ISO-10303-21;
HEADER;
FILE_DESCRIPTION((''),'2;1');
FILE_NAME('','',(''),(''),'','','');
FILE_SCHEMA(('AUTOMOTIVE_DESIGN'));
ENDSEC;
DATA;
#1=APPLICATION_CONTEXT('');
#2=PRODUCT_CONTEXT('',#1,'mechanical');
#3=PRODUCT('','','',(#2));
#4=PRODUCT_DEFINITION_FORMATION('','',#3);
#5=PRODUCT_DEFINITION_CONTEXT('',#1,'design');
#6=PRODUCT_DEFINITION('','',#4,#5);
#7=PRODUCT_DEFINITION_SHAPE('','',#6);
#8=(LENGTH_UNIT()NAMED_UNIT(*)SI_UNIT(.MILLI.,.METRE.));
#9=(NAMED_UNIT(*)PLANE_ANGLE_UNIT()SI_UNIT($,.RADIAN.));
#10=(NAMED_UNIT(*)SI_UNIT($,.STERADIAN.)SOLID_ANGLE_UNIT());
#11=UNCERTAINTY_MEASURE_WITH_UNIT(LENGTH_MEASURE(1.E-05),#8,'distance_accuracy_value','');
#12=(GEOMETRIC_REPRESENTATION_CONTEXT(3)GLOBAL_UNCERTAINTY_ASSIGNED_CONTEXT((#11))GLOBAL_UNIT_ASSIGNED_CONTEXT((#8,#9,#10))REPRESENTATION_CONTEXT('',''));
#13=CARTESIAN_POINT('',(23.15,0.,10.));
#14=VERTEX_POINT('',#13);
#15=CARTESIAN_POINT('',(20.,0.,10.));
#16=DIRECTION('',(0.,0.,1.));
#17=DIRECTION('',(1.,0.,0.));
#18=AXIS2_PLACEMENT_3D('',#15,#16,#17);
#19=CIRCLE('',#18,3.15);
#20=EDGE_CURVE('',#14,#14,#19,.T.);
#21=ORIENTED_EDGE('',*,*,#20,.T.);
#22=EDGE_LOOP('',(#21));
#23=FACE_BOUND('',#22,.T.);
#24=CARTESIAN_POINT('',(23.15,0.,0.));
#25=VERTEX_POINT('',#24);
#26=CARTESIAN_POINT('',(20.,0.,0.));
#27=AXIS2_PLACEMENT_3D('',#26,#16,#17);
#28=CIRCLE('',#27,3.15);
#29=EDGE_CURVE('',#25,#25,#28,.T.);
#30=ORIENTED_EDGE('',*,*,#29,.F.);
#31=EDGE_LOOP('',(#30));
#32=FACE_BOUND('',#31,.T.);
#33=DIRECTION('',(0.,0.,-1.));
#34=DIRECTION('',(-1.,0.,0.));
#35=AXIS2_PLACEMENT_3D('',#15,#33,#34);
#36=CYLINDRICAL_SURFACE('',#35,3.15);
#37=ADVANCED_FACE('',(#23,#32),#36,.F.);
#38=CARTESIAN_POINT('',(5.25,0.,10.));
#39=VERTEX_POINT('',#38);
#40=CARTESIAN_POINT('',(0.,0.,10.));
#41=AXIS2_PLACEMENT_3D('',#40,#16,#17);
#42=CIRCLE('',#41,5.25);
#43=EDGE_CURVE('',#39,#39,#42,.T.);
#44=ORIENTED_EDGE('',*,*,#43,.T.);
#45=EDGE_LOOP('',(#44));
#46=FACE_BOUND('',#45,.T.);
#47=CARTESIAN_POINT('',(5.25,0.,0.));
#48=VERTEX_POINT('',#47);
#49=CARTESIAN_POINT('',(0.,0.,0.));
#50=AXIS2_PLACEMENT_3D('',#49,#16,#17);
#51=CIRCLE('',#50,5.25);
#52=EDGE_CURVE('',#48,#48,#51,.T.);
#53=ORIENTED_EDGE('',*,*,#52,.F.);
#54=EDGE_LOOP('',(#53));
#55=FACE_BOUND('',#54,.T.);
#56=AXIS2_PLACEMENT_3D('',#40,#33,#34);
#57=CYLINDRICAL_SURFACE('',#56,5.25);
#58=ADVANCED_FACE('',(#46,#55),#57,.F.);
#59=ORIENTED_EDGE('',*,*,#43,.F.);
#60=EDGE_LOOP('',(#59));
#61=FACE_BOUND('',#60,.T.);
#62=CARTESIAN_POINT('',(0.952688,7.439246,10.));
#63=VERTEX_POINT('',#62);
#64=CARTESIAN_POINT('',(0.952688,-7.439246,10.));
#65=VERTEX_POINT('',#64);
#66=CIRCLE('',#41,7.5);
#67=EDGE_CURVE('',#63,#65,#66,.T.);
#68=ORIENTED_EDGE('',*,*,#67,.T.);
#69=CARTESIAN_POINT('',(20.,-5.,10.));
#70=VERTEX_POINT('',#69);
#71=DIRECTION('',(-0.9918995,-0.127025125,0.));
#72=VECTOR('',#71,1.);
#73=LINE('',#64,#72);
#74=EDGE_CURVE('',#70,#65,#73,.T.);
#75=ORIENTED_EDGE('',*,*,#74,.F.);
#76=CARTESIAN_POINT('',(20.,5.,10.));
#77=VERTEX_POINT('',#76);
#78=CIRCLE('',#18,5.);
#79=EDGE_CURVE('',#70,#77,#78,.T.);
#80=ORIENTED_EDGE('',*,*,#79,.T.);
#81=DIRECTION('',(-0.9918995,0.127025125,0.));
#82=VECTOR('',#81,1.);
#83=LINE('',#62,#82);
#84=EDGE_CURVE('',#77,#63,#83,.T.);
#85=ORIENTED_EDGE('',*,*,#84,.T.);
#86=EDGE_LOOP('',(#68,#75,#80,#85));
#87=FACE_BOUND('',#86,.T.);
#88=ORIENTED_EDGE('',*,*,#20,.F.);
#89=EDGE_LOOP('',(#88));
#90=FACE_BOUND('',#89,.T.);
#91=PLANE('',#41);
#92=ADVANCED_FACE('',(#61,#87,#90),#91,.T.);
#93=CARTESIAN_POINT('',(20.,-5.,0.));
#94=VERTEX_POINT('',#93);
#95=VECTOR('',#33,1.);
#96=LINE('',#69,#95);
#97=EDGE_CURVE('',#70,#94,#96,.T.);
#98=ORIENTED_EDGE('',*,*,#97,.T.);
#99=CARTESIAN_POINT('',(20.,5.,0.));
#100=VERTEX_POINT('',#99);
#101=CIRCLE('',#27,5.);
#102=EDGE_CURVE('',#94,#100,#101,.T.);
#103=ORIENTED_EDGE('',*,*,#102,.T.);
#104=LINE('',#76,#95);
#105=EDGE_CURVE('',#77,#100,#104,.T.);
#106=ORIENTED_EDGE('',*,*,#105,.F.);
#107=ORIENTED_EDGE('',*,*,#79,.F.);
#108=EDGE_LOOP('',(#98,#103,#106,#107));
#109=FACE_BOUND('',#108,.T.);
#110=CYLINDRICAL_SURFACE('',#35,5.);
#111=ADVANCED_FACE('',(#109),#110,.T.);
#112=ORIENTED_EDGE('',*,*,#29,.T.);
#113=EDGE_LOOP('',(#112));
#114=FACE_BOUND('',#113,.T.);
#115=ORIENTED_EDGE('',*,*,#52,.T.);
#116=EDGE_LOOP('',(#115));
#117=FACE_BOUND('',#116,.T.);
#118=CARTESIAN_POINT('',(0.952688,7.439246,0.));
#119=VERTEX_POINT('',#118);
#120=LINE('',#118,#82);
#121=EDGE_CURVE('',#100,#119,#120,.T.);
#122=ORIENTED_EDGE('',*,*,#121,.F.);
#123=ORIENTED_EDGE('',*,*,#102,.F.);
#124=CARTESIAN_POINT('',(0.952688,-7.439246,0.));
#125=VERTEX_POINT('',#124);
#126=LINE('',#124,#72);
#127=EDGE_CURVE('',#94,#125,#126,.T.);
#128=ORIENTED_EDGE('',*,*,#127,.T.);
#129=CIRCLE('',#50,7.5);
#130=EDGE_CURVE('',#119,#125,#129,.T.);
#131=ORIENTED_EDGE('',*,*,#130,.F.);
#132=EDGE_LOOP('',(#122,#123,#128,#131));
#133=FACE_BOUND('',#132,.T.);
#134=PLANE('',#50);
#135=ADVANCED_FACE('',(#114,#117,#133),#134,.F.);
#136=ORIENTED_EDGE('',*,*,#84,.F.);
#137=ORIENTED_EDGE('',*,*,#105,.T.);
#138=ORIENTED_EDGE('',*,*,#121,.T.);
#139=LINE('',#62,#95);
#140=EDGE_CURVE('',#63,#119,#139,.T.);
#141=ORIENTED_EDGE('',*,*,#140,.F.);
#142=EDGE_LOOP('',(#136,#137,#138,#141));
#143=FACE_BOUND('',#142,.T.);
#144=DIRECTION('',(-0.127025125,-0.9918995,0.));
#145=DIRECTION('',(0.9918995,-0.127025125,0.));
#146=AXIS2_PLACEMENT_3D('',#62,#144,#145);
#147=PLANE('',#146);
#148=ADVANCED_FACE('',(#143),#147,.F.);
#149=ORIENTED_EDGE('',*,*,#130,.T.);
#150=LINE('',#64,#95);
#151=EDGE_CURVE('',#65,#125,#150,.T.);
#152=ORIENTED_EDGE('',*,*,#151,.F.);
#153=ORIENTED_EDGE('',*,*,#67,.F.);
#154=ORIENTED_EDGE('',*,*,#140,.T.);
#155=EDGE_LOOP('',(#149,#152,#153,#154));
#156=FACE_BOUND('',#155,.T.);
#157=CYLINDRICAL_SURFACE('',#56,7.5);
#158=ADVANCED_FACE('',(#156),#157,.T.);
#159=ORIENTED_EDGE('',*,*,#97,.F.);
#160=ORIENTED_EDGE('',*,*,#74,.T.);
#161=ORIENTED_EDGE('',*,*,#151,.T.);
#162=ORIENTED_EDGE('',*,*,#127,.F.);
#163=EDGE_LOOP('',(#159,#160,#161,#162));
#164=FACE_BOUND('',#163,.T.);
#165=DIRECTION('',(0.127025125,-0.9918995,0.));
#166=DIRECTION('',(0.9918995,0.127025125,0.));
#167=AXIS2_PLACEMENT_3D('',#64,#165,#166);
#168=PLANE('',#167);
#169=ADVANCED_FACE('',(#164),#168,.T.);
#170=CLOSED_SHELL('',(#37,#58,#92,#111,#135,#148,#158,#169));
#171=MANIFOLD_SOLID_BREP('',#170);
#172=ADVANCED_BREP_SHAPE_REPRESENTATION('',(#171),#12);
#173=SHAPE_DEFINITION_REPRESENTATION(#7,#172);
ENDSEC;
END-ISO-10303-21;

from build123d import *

# Parameters (mm, degrees)
SKETCH1_R           = 5.25
SKETCH1_R_2         = 3.15
BOSS_EXTRUDE1_DEPTH = 10


with BuildPart() as part:
    # Sketch1 → Boss-Extrude1 (new body)
    with BuildSketch(Plane.XY):
        with BuildLine():
            ThreePointArc((0.952688438, 7.439246248), (-7.5, 0), (0.952688438, -7.439246248))
            Line((0.952688438, -7.439246248), (20, -5))
            ThreePointArc((20, -5), (25, 0), (20, 5))
            Line((20, 5), (0.952688438, 7.439246248))
        make_face()
        Circle(SKETCH1_R, mode=Mode.SUBTRACT)
        with Locations((20, 0)):
            Circle(SKETCH1_R_2, mode=Mode.SUBTRACT)
    extrude(amount=BOSS_EXTRUDE1_DEPTH)


solid = part.part
